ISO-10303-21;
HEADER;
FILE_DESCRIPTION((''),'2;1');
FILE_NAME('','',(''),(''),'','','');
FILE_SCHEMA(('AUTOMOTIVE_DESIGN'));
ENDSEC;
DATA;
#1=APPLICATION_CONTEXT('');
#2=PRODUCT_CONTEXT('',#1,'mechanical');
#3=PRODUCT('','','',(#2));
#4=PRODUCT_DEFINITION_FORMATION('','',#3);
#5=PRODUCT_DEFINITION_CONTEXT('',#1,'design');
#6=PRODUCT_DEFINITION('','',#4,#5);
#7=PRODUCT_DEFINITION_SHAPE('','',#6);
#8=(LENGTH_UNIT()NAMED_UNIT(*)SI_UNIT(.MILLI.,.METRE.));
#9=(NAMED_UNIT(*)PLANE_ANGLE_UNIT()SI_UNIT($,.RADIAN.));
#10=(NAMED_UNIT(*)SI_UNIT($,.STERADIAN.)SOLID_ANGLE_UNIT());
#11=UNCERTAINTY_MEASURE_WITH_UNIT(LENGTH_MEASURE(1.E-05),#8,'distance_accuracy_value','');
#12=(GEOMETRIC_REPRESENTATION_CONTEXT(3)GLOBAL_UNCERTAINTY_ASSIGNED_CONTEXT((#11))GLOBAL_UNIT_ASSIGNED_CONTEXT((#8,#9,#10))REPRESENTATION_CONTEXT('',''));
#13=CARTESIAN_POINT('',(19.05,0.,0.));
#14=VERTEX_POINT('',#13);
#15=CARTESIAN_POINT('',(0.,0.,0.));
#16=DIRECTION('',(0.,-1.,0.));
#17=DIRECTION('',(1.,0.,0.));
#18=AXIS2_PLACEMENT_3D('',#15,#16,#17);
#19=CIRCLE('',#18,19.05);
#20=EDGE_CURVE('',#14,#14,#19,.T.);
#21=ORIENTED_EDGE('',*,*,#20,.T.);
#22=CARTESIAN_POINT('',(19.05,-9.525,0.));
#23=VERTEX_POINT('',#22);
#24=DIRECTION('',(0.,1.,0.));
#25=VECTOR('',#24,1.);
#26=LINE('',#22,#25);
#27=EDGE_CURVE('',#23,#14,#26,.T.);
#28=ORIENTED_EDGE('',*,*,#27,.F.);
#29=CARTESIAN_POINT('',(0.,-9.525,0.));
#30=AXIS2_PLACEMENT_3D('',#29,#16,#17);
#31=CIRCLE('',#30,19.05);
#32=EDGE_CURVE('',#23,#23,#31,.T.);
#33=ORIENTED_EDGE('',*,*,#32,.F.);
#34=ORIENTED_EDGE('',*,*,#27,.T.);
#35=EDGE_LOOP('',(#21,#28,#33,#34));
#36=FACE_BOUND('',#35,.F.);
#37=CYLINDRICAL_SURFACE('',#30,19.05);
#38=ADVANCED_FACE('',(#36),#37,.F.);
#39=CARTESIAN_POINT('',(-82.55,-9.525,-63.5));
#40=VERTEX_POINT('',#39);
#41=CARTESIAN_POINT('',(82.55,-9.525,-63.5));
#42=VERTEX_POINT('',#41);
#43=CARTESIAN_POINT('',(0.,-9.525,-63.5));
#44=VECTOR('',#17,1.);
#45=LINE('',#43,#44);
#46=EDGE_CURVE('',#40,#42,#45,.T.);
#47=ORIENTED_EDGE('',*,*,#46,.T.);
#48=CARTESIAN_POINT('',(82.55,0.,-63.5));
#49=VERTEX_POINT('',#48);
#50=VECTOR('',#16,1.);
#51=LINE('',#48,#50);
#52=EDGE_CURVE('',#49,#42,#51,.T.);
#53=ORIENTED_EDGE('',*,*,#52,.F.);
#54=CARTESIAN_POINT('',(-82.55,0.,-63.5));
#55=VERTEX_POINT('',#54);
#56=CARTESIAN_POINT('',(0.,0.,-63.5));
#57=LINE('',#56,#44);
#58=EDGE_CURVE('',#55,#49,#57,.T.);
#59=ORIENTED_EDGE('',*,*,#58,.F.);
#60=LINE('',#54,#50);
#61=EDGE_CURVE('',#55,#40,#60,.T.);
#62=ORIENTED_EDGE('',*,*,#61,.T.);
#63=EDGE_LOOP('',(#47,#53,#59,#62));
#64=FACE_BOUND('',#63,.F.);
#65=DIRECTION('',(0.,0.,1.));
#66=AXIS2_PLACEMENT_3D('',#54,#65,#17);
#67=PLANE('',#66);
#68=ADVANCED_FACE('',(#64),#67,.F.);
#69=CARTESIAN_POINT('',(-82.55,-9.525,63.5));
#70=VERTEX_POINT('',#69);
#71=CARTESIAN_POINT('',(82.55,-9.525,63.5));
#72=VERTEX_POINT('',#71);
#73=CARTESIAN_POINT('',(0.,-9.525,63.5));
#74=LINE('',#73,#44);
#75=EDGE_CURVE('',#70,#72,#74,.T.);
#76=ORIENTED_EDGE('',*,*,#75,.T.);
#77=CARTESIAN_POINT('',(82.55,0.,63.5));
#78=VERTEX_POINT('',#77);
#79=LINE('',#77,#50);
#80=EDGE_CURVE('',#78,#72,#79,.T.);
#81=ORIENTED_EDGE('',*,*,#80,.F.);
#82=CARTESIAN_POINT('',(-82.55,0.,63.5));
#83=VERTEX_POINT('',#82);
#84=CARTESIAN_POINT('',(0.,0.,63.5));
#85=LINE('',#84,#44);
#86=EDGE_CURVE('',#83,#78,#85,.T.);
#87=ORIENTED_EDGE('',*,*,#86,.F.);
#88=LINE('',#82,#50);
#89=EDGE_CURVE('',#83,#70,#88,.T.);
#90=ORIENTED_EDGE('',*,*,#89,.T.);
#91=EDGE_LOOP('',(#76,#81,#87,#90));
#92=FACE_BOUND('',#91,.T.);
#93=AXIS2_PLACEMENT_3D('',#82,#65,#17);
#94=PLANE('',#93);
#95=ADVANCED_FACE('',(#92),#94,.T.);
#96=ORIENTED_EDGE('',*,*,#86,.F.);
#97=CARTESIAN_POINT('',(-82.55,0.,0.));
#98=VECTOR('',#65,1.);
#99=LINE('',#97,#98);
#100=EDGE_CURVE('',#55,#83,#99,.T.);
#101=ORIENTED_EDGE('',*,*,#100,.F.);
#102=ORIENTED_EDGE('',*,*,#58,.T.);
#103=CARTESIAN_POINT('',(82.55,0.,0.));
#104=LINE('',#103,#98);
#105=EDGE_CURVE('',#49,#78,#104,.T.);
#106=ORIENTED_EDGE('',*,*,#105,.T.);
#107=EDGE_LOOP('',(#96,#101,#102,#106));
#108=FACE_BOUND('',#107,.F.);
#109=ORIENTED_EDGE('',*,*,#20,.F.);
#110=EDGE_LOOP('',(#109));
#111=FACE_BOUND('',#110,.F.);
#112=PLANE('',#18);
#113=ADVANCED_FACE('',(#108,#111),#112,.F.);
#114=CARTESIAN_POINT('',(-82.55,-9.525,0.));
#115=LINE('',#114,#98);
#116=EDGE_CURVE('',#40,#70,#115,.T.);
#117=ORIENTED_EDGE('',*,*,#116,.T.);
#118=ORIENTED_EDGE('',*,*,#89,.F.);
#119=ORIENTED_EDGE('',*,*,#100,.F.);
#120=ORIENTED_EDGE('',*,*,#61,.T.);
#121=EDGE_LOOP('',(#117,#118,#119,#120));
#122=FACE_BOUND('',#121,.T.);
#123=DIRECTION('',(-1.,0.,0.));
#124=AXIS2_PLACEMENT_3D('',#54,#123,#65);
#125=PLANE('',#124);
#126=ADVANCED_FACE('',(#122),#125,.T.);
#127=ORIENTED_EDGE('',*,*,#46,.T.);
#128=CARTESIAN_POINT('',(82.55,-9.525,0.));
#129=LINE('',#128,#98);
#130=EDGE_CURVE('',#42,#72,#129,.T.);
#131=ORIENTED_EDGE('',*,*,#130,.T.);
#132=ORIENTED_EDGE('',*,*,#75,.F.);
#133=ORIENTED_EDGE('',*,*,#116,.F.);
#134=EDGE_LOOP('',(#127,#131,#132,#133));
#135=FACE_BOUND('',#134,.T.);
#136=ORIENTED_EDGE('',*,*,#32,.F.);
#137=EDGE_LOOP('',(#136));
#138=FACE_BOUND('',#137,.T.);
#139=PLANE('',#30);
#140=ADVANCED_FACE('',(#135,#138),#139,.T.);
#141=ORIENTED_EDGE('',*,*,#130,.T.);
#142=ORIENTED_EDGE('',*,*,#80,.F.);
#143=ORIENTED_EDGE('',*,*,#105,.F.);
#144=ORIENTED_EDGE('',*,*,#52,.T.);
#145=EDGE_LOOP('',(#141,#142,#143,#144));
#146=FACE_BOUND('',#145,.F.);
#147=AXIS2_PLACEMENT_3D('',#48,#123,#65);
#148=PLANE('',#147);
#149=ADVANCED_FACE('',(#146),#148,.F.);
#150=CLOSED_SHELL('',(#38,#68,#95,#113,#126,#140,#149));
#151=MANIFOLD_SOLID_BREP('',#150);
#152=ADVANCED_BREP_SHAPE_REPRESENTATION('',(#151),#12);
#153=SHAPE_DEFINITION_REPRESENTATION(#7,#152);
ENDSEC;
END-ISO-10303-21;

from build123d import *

# Parameters (mm, degrees)
F0_W     = 165.1
F0_H     = 127
F1_DEPTH = 9.525
F2_R     = 19.05
F3_DEPTH = 9.526


with BuildPart() as f1:
    # F0 (on Front) → F1 (new body)
    with BuildSketch(Plane.XZ):
        Rectangle(F0_W, F0_H)
    extrude(amount=F1_DEPTH)

    # F2 (on face) → F3 (cut, through all)
    with BuildSketch(Plane.XZ.offset(9.525)):
        Circle(F2_R)
    extrude(amount=-F3_DEPTH, mode=Mode.SUBTRACT)


solid = f1.part
